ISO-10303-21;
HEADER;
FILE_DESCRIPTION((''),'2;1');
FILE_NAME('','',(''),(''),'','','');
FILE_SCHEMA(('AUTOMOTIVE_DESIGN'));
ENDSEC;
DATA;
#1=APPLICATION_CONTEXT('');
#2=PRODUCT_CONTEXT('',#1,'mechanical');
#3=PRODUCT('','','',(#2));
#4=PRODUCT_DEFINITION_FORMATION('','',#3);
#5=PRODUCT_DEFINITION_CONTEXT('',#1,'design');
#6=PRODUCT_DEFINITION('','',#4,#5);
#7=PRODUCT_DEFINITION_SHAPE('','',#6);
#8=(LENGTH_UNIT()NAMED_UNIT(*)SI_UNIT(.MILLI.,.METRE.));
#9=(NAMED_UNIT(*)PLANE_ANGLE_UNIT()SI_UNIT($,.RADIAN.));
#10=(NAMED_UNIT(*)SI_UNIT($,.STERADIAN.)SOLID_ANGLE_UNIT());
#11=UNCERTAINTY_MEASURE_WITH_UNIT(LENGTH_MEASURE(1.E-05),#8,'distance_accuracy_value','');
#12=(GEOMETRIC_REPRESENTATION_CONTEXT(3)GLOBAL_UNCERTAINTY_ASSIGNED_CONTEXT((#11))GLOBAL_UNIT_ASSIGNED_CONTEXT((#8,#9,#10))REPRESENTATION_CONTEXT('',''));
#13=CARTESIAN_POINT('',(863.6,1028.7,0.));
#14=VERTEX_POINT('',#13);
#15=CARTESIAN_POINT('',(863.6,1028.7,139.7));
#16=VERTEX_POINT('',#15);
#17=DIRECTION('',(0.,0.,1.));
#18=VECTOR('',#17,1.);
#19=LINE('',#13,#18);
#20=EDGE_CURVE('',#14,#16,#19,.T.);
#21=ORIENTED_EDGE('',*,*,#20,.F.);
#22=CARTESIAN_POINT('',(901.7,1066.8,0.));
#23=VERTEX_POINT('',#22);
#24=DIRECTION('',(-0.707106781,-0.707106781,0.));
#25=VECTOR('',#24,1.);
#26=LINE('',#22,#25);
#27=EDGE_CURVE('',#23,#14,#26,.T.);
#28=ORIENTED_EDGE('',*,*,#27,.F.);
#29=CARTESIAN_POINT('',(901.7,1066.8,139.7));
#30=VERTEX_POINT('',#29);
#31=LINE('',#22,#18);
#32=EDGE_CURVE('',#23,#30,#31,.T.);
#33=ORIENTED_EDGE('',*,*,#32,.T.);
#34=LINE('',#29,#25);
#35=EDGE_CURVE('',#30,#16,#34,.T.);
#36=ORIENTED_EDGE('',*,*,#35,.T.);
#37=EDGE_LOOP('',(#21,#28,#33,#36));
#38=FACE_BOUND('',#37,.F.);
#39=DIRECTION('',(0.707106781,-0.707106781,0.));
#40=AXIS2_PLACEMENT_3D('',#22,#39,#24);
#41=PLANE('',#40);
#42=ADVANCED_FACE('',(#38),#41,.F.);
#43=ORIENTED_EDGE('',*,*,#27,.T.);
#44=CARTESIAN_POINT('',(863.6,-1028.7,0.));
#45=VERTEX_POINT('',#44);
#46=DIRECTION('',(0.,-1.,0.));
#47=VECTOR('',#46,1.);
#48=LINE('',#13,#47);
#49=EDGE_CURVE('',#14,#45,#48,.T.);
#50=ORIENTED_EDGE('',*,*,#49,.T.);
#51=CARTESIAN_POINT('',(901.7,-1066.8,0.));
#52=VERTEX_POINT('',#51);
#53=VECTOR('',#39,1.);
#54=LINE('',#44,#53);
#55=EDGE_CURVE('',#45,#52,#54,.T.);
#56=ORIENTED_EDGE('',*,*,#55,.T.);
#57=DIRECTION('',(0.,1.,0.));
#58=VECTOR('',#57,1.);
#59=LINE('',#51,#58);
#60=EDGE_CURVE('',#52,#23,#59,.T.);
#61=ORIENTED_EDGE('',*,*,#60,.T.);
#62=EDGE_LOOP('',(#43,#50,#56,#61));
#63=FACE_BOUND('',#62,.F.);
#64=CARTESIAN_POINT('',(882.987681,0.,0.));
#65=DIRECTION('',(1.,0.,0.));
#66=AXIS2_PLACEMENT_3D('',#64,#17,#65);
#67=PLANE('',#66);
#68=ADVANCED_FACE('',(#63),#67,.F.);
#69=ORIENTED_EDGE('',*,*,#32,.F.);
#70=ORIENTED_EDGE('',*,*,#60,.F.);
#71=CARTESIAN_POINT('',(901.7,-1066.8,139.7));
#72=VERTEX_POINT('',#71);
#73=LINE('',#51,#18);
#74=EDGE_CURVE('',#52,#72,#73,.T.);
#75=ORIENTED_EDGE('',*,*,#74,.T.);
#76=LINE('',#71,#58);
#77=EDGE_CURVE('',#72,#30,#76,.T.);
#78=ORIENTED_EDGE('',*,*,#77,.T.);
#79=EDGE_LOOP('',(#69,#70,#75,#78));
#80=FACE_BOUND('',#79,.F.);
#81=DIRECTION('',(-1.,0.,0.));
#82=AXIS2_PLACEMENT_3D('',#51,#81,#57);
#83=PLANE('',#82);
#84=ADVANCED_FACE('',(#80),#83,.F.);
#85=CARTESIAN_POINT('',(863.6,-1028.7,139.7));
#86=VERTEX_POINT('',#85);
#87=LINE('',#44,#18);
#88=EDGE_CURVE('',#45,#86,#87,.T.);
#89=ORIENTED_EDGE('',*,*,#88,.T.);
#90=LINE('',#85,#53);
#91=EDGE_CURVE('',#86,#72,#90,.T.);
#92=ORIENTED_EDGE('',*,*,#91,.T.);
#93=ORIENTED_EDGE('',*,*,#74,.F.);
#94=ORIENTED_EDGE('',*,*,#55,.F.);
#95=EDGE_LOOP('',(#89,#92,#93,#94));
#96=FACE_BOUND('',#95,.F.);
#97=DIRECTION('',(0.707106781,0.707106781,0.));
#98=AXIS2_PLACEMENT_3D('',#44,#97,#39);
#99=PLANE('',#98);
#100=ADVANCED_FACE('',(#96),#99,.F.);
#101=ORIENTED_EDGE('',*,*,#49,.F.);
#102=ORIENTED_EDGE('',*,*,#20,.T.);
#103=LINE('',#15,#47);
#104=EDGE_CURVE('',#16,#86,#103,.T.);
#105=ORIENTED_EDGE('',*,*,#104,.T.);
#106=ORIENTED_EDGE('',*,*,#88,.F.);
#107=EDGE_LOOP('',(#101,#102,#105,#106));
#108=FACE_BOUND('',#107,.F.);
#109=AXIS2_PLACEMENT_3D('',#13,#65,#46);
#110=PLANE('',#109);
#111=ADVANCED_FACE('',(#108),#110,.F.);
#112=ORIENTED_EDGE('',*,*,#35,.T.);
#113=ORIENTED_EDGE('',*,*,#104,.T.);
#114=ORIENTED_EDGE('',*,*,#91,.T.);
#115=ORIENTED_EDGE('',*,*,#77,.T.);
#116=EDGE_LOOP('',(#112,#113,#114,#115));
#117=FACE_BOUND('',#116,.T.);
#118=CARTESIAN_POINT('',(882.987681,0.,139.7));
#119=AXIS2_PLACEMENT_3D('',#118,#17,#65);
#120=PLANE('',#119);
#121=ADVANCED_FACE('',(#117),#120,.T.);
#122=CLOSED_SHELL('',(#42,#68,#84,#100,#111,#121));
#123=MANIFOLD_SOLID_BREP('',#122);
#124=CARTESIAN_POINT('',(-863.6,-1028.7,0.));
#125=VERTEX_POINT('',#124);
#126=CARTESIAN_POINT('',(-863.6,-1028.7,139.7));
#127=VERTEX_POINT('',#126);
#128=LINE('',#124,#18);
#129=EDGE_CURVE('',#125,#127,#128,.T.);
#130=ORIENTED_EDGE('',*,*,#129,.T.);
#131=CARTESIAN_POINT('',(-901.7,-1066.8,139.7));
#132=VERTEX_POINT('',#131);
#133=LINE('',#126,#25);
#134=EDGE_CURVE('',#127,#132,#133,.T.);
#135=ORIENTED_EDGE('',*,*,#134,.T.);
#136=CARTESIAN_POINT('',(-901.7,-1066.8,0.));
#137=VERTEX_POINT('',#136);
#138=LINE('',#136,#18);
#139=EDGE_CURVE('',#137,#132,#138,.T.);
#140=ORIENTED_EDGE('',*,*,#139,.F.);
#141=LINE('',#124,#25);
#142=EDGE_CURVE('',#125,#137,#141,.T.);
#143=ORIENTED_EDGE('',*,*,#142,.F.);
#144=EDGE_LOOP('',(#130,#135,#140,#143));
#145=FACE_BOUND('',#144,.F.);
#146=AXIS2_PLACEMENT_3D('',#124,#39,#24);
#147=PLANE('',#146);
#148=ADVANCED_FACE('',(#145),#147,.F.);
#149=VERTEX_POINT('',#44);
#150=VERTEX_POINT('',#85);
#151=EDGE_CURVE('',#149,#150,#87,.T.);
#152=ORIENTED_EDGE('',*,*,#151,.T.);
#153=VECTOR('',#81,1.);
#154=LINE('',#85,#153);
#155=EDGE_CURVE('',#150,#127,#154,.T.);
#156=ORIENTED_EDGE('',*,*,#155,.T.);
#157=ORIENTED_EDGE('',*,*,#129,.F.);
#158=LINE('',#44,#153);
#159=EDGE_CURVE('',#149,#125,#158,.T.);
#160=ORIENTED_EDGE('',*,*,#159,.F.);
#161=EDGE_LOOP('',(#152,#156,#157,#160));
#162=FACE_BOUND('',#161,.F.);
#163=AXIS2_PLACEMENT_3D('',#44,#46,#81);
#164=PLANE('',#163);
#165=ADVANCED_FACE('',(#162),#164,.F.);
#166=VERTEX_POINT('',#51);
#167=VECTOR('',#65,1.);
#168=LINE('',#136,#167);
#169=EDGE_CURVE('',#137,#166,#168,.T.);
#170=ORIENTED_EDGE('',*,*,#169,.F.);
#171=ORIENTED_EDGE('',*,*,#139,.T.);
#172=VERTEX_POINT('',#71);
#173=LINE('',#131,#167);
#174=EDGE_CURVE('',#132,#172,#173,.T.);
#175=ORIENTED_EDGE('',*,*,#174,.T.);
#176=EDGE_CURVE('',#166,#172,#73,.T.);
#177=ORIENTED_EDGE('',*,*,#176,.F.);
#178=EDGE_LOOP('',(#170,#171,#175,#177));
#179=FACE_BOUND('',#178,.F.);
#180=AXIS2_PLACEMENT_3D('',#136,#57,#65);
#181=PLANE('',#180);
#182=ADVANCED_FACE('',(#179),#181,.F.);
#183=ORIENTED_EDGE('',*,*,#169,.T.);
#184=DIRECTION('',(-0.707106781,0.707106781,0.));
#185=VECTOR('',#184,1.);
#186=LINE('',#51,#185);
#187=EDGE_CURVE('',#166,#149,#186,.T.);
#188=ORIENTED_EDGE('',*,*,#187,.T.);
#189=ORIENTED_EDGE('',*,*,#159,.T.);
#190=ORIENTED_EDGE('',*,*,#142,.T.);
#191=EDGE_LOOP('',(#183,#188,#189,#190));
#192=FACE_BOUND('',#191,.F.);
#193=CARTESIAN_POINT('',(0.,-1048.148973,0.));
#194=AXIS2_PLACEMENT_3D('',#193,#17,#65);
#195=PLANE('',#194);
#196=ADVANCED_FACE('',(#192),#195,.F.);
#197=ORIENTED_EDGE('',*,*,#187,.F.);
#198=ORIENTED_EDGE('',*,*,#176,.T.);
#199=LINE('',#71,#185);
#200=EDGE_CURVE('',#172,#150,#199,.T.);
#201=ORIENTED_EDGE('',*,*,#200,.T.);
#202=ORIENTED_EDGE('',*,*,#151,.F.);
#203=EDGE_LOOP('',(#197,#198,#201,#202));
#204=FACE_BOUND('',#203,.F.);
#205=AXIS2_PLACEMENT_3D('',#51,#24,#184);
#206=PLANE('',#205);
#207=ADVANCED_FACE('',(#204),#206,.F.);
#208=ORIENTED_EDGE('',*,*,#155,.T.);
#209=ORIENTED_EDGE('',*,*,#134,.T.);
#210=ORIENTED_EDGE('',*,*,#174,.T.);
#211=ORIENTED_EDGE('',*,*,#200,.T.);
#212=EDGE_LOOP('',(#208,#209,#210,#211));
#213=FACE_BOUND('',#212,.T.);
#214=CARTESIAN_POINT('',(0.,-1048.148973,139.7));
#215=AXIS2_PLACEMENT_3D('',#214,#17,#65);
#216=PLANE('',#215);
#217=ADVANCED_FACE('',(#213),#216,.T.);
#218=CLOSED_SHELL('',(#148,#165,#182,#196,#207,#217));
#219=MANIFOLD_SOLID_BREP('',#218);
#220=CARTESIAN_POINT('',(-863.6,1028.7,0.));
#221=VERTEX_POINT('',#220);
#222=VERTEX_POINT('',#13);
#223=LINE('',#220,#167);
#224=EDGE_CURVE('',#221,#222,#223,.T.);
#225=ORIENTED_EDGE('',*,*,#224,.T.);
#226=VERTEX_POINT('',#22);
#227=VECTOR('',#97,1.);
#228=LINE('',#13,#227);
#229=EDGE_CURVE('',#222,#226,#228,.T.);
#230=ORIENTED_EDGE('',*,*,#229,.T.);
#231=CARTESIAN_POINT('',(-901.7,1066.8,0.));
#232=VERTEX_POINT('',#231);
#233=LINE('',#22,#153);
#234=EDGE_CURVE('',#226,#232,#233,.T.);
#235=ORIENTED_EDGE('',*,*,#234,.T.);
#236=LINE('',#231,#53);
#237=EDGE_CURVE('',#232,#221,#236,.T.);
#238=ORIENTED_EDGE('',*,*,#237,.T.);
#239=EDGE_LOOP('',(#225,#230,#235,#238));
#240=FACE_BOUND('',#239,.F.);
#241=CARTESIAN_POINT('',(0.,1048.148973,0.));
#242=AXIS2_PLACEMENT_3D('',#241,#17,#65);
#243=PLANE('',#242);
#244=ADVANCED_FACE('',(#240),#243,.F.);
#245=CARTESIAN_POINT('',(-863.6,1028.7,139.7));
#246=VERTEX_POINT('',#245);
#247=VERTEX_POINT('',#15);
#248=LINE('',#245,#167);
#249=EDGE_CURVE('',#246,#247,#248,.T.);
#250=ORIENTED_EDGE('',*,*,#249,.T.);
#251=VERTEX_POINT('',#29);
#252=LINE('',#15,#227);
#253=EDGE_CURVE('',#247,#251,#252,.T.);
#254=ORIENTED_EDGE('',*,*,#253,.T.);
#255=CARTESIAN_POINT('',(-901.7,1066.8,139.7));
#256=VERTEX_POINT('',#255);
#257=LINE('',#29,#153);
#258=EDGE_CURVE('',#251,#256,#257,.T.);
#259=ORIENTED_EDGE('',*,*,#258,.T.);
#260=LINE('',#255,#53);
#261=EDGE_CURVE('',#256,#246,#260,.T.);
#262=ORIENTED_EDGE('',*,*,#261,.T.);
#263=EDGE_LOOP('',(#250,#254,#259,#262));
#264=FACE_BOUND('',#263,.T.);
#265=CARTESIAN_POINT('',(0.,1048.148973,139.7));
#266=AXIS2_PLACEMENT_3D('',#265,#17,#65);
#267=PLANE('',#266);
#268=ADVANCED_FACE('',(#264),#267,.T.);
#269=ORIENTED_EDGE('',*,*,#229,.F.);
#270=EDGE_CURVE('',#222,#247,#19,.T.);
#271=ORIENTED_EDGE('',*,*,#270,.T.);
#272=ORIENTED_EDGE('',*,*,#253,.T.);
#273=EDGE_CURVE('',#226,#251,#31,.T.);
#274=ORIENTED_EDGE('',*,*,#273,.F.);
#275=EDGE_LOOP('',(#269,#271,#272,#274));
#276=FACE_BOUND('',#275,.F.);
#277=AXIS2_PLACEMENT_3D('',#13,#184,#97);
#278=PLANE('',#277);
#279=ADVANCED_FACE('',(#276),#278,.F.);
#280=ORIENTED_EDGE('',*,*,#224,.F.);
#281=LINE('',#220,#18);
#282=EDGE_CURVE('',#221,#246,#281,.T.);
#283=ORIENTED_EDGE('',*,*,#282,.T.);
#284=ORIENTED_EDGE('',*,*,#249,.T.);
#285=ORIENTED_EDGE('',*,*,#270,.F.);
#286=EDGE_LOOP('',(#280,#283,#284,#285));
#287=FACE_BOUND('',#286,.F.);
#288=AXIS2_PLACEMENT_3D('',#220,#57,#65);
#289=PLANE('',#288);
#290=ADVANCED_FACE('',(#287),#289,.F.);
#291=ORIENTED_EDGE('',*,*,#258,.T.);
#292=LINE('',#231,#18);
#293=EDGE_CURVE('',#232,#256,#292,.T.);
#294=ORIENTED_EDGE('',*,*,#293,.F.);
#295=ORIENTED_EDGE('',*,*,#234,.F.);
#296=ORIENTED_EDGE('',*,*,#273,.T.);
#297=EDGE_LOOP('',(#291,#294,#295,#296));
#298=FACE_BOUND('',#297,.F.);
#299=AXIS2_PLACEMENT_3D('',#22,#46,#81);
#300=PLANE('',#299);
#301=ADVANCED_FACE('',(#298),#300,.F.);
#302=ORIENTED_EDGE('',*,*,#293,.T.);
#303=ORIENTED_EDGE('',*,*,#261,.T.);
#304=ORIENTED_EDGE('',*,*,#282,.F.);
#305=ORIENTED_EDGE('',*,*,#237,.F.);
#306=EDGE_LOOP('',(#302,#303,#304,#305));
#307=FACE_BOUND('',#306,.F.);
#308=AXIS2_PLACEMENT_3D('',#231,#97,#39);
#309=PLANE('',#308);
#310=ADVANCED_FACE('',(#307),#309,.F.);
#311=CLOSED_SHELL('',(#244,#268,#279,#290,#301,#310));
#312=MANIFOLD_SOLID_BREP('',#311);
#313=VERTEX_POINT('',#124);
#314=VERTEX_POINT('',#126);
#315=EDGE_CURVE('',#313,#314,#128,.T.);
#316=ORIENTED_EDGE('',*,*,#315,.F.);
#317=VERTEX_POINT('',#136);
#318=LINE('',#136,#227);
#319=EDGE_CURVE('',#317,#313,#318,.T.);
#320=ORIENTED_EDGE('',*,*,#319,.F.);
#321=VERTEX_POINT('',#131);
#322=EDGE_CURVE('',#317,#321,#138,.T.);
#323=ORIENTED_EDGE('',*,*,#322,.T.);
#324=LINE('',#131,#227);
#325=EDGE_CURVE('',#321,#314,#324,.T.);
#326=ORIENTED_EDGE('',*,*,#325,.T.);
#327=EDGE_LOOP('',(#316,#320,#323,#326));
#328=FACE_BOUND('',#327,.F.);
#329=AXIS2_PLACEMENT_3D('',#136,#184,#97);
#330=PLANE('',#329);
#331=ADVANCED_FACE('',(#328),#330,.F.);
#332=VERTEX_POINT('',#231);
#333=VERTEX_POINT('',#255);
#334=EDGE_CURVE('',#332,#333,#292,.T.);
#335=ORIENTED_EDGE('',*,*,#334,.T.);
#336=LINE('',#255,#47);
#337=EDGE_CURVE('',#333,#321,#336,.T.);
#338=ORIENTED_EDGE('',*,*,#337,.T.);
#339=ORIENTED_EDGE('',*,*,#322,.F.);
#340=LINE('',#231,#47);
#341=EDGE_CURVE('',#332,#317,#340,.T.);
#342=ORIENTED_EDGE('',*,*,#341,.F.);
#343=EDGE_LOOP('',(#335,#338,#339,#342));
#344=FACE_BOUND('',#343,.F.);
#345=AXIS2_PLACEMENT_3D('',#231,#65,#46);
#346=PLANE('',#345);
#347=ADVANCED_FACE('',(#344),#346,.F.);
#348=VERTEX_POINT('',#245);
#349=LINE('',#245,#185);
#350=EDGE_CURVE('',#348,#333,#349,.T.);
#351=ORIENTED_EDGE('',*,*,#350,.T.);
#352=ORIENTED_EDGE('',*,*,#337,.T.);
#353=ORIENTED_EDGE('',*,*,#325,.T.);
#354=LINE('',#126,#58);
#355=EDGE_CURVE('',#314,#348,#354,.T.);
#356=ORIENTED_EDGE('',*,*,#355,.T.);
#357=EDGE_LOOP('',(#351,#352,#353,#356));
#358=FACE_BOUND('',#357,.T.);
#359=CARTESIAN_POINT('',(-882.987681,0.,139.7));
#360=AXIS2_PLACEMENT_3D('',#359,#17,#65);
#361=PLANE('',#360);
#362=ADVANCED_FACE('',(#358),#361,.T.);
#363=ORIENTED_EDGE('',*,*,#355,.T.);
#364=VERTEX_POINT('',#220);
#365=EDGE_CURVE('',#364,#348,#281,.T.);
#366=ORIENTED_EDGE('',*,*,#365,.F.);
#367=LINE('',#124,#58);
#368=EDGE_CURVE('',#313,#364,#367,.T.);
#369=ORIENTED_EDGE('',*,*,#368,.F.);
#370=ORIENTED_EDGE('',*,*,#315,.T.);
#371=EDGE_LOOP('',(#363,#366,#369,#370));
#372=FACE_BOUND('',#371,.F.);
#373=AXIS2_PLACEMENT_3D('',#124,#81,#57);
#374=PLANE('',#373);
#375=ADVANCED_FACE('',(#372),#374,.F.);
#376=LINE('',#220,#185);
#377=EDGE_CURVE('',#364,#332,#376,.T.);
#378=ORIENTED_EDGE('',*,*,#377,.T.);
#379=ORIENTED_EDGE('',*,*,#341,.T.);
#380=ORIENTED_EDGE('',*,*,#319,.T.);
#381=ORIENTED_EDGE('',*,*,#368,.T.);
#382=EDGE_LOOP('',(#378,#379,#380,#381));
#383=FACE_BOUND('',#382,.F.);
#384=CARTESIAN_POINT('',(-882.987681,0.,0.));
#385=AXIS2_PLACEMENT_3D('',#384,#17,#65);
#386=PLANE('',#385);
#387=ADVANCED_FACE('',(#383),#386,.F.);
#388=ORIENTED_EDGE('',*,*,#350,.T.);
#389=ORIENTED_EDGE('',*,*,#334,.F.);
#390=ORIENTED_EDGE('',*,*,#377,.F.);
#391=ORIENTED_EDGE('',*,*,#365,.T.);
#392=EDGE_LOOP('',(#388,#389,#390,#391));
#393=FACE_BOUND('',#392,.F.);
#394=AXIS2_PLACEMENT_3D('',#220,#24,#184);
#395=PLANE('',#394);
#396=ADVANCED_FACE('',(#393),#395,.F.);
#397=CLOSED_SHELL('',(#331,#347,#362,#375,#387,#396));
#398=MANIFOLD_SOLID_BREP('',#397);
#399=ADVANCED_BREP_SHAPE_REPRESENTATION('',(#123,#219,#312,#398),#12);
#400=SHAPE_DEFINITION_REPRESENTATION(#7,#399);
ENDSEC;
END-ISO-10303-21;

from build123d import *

# Parameters (mm, degrees)
F1_DEPTH = 139.7
F2_DEPTH = 139.7


with BuildPart() as f1:
    # F0 (on Top) → F1 (new body)
    with BuildSketch(Plane.XY):
        Polygon((-863.6, 1028.7), (863.6, 1028.7), (901.7, 1066.8), (-901.7, 1066.8), align=None)
        Polygon((901.7, -1066.8), (863.6, -1028.7), (-863.6, -1028.7), (-901.7, -1066.8), align=None)
    extrude(amount=F1_DEPTH)


with BuildPart() as f2:
    # F0 (on Top) → F2 (new body)
    with BuildSketch(Plane.XY):
        Polygon((901.7, 1066.8), (863.6, 1028.7), (863.6, -1028.7), (901.7, -1066.8), align=None)
        Polygon((-863.6, -1028.7), (-863.6, 1028.7), (-901.7, 1066.8), (-901.7, -1066.8), align=None)
    extrude(amount=F2_DEPTH)


solid = Compound([f1.part, f2.part])
